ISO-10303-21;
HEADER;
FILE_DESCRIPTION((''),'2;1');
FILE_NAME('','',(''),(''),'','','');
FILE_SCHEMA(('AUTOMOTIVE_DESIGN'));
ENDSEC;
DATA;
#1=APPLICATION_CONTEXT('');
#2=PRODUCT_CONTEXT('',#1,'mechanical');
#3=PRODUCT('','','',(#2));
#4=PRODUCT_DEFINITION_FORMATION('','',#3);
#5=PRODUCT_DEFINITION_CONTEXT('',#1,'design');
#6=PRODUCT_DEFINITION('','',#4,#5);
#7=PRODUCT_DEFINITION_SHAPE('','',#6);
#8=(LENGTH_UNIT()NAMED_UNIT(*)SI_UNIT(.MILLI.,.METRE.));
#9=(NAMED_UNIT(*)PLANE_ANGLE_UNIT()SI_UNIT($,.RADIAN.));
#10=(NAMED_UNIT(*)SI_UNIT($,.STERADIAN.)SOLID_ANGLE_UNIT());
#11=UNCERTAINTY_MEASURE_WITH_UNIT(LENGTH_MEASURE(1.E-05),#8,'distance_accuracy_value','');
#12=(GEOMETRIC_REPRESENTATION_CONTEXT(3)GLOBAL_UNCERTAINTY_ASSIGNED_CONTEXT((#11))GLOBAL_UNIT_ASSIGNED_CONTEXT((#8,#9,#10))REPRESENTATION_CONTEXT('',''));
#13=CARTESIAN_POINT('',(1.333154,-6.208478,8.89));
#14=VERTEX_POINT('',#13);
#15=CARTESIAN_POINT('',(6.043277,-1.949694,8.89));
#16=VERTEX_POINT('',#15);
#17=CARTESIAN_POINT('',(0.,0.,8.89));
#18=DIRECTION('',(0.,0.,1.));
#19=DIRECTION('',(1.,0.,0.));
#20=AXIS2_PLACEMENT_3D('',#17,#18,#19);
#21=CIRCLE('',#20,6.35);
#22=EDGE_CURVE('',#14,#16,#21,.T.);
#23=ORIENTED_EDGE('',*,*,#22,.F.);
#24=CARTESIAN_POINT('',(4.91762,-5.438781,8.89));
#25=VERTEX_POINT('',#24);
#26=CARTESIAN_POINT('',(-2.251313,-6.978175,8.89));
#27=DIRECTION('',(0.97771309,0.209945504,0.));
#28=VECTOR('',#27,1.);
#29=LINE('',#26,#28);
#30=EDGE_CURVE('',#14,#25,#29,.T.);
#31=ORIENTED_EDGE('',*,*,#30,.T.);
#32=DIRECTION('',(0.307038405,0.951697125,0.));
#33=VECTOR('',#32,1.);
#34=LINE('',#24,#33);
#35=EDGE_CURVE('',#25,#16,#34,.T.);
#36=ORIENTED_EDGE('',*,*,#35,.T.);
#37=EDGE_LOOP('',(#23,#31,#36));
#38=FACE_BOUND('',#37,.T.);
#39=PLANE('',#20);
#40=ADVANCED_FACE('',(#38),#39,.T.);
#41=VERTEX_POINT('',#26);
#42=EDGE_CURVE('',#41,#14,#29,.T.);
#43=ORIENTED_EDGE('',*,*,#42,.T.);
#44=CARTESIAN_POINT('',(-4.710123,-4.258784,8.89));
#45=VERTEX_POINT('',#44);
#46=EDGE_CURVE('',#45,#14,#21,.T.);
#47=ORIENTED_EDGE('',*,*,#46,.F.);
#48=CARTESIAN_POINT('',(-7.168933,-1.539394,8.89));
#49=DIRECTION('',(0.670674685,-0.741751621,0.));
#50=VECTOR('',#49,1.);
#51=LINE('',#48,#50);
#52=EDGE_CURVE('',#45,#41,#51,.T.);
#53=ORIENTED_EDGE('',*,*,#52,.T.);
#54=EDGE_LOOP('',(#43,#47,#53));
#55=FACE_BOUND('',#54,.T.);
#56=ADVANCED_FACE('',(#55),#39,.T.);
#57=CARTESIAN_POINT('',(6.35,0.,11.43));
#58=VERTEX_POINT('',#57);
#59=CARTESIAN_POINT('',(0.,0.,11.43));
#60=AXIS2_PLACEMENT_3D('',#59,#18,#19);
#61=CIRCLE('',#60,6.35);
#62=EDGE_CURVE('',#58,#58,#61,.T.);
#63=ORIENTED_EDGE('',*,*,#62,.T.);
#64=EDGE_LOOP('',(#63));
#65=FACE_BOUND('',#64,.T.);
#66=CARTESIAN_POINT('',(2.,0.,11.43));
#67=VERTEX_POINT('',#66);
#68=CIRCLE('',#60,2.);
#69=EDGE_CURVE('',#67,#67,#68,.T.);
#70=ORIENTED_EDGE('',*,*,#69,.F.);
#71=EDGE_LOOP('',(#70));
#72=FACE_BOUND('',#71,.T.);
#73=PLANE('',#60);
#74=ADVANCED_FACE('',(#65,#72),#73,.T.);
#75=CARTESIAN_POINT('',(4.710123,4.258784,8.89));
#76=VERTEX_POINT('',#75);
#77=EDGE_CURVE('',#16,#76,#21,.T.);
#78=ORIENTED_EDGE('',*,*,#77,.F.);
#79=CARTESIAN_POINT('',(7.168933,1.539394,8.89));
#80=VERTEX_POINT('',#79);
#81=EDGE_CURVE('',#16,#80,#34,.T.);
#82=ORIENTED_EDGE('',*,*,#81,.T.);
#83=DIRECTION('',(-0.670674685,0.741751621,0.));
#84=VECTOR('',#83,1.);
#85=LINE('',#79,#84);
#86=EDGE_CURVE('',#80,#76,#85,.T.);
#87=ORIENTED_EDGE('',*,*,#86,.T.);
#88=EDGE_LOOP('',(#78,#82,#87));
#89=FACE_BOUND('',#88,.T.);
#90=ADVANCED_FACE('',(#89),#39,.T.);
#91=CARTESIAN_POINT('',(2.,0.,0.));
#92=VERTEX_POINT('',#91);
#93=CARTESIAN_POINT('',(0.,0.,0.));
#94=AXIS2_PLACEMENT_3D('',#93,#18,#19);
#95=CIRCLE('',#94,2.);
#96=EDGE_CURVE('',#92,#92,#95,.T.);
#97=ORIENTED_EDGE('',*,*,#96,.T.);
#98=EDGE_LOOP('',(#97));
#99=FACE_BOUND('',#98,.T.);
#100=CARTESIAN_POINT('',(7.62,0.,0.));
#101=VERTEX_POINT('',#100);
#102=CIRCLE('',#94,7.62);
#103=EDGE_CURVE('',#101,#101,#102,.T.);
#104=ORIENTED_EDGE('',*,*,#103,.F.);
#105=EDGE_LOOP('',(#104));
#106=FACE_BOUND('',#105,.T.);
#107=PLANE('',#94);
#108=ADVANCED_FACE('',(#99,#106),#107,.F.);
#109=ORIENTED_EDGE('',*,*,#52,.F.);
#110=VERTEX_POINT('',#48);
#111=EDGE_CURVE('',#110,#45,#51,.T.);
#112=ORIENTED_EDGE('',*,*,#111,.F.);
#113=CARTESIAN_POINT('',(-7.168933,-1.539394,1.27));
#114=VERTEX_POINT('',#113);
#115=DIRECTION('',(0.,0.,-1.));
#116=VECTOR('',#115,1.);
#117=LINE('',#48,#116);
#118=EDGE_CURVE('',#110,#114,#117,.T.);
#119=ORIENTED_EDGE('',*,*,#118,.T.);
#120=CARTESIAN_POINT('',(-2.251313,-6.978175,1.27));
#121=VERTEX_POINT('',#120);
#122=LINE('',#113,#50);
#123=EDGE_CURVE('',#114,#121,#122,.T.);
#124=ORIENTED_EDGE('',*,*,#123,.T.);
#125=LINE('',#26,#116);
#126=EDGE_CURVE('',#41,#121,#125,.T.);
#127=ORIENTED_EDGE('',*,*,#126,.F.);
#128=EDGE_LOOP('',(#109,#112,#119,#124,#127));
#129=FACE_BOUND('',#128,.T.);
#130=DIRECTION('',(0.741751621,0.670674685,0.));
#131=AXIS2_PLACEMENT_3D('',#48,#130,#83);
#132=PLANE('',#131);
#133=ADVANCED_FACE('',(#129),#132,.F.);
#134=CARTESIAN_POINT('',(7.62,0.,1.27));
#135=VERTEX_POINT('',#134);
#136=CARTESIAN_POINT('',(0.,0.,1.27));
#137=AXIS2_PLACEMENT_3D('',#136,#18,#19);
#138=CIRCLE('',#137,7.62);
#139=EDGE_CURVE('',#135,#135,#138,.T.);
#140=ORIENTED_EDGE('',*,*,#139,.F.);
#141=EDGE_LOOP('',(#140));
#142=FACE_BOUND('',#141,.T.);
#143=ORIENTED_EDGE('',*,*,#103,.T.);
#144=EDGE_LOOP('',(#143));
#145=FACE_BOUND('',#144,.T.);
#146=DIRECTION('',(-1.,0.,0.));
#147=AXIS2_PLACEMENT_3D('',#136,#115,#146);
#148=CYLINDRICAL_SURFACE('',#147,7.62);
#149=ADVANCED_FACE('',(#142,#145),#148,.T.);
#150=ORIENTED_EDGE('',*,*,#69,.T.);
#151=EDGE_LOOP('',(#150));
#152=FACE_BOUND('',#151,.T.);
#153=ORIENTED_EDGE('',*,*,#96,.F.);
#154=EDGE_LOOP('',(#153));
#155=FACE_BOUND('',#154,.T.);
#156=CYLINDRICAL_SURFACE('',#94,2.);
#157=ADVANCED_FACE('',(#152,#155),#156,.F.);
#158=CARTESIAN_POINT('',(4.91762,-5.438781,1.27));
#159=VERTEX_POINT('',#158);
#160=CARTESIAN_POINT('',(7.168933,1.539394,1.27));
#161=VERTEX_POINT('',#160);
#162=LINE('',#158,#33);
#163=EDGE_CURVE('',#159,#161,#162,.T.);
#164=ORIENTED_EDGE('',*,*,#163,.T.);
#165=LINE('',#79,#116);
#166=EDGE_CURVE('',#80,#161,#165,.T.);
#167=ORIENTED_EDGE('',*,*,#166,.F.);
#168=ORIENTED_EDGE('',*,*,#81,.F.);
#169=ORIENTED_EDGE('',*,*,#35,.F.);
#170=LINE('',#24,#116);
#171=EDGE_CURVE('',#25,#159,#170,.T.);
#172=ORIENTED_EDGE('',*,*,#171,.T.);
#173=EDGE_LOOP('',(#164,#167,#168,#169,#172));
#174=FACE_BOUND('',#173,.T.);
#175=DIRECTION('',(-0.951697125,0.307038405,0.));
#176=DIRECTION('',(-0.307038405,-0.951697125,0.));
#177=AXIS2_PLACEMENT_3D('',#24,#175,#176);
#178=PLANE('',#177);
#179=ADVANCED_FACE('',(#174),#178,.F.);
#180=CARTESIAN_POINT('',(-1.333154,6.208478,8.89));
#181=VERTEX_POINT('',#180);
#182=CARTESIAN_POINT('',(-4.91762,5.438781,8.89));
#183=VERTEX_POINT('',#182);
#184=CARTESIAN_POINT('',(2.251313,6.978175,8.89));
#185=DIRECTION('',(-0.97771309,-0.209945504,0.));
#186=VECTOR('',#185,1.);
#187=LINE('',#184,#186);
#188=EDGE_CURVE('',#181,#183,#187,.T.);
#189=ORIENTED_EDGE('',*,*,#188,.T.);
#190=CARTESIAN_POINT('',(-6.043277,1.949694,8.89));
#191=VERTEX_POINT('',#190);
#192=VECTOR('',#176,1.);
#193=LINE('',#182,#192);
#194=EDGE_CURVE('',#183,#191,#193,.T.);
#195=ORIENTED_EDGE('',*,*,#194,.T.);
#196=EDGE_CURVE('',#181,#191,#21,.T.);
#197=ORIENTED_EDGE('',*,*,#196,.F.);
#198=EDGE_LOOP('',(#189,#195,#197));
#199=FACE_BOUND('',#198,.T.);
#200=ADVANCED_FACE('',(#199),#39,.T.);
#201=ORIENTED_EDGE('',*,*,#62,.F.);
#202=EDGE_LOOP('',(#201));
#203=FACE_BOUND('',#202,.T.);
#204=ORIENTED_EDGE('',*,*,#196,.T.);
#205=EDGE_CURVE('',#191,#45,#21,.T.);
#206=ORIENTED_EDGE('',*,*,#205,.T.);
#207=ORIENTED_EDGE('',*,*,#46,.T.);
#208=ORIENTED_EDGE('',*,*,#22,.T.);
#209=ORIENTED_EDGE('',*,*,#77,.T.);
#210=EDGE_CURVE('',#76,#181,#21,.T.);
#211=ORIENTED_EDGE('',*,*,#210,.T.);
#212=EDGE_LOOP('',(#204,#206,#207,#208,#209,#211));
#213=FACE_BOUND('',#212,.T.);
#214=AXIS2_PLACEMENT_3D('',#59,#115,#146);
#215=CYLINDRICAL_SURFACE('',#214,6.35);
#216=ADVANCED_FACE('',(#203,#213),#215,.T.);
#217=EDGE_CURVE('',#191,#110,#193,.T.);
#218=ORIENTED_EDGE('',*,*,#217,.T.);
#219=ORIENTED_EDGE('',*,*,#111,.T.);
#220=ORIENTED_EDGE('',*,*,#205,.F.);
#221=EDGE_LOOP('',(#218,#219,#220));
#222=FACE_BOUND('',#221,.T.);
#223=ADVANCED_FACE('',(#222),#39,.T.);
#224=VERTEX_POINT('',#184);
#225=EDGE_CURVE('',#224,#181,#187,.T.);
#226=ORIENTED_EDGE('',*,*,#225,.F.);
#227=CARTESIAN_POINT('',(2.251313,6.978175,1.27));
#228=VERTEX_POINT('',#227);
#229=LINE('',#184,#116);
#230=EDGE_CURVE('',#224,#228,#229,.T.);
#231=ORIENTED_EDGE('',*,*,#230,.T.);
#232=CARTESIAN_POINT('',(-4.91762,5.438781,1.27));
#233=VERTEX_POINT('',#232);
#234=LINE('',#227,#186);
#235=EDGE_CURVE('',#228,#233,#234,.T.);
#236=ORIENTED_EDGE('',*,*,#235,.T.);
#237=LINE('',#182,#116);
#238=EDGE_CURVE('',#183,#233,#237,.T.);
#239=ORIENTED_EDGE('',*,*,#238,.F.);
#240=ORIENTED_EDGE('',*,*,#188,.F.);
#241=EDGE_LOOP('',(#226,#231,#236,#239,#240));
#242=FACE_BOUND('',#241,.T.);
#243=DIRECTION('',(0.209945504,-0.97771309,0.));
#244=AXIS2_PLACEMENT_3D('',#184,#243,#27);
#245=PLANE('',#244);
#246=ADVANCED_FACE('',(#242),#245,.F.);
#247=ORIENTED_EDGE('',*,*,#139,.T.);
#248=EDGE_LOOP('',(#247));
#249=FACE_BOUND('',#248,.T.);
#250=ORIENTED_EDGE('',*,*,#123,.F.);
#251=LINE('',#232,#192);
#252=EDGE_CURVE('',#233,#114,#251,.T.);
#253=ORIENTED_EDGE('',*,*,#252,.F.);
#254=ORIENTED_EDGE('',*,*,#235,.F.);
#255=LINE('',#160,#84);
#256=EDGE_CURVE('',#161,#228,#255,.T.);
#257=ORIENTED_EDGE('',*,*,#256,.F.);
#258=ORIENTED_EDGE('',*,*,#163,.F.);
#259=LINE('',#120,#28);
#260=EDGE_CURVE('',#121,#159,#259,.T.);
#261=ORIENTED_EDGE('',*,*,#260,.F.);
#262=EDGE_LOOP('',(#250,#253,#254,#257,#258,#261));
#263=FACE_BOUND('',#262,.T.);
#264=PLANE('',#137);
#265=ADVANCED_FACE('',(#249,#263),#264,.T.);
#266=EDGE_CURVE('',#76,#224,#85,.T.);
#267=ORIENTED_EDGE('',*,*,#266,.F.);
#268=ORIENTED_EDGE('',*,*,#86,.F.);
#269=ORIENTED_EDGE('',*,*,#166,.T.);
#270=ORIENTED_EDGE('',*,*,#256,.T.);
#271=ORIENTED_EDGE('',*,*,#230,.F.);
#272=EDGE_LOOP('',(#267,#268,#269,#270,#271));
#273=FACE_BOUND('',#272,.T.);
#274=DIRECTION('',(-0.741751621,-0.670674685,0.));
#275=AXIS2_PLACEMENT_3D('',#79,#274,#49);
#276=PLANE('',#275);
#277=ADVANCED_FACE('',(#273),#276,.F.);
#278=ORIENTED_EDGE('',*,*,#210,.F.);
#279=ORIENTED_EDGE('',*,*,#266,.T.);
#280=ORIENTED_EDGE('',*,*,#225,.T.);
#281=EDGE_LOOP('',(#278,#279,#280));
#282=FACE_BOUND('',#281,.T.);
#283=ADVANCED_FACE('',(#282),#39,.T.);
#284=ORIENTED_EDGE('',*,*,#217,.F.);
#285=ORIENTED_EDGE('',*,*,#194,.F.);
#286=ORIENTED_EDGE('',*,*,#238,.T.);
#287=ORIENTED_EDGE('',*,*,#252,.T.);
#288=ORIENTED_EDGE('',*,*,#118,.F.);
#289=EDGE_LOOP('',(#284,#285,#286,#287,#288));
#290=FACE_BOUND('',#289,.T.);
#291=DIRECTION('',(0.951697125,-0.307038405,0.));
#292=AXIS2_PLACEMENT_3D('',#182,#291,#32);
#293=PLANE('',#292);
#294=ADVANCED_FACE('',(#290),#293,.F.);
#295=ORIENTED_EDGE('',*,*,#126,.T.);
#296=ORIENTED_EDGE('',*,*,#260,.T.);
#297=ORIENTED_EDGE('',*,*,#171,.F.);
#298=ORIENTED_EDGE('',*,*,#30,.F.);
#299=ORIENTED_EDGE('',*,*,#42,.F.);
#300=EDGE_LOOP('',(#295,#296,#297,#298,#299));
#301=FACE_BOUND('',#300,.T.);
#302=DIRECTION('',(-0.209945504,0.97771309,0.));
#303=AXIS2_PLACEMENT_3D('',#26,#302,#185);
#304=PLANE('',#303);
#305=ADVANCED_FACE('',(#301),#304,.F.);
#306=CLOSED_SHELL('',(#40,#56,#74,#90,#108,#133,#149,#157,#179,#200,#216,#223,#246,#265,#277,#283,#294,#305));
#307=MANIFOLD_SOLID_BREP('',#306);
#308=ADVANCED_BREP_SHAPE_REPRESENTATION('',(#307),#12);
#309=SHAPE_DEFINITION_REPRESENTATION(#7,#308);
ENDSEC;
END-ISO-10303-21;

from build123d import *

# Parameters (mm, degrees)
SKETCH1_R               = 7.62
BOSS_EXTRUDE1_DEPTH     = 1.27
BOSS_EXTRUDE2_DEPTH     = 7.62
SKETCH4_R               = 6.35
BOSS_EXTRUDE3_DEPTH     = 2.54
SKETCH5_R               = 2
CUT_EXTRUDE1_DEPTH      = 1
CUT_EXTRUDE1_DEPTH_BACK = 12.43


with BuildPart() as part:
    # Sketch1 → Boss-Extrude1 (new body)
    with BuildSketch(Plane.XY):
        Circle(SKETCH1_R)
    extrude(amount=BOSS_EXTRUDE1_DEPTH)

    # Sketch2 → Boss-Extrude2 (add)
    with BuildSketch(Plane.XY.offset(1.27)):
        Polygon((4.917620463, -5.438781327), (7.168933026, 1.539393583), (2.251312563, 6.97817491), (-4.917620463, 5.438781327), (-7.168933026, -1.539393583), (-2.251312563, -6.97817491), align=None)
    extrude(amount=BOSS_EXTRUDE2_DEPTH)

    # Sketch4 → Boss-Extrude3 (add)
    with BuildSketch(Plane.XY.offset(8.89)):
        Circle(SKETCH4_R)
    extrude(amount=BOSS_EXTRUDE3_DEPTH)

    # Sketch5 → Cut-Extrude1 (cut, two sides)
    with BuildSketch(Plane.XY.offset(11.43)) as cut_extrude1_sk:
        Circle(SKETCH5_R)
    extrude(amount=CUT_EXTRUDE1_DEPTH, mode=Mode.SUBTRACT)
    extrude(cut_extrude1_sk.sketch, amount=-CUT_EXTRUDE1_DEPTH_BACK, mode=Mode.SUBTRACT)


solid = part.part
